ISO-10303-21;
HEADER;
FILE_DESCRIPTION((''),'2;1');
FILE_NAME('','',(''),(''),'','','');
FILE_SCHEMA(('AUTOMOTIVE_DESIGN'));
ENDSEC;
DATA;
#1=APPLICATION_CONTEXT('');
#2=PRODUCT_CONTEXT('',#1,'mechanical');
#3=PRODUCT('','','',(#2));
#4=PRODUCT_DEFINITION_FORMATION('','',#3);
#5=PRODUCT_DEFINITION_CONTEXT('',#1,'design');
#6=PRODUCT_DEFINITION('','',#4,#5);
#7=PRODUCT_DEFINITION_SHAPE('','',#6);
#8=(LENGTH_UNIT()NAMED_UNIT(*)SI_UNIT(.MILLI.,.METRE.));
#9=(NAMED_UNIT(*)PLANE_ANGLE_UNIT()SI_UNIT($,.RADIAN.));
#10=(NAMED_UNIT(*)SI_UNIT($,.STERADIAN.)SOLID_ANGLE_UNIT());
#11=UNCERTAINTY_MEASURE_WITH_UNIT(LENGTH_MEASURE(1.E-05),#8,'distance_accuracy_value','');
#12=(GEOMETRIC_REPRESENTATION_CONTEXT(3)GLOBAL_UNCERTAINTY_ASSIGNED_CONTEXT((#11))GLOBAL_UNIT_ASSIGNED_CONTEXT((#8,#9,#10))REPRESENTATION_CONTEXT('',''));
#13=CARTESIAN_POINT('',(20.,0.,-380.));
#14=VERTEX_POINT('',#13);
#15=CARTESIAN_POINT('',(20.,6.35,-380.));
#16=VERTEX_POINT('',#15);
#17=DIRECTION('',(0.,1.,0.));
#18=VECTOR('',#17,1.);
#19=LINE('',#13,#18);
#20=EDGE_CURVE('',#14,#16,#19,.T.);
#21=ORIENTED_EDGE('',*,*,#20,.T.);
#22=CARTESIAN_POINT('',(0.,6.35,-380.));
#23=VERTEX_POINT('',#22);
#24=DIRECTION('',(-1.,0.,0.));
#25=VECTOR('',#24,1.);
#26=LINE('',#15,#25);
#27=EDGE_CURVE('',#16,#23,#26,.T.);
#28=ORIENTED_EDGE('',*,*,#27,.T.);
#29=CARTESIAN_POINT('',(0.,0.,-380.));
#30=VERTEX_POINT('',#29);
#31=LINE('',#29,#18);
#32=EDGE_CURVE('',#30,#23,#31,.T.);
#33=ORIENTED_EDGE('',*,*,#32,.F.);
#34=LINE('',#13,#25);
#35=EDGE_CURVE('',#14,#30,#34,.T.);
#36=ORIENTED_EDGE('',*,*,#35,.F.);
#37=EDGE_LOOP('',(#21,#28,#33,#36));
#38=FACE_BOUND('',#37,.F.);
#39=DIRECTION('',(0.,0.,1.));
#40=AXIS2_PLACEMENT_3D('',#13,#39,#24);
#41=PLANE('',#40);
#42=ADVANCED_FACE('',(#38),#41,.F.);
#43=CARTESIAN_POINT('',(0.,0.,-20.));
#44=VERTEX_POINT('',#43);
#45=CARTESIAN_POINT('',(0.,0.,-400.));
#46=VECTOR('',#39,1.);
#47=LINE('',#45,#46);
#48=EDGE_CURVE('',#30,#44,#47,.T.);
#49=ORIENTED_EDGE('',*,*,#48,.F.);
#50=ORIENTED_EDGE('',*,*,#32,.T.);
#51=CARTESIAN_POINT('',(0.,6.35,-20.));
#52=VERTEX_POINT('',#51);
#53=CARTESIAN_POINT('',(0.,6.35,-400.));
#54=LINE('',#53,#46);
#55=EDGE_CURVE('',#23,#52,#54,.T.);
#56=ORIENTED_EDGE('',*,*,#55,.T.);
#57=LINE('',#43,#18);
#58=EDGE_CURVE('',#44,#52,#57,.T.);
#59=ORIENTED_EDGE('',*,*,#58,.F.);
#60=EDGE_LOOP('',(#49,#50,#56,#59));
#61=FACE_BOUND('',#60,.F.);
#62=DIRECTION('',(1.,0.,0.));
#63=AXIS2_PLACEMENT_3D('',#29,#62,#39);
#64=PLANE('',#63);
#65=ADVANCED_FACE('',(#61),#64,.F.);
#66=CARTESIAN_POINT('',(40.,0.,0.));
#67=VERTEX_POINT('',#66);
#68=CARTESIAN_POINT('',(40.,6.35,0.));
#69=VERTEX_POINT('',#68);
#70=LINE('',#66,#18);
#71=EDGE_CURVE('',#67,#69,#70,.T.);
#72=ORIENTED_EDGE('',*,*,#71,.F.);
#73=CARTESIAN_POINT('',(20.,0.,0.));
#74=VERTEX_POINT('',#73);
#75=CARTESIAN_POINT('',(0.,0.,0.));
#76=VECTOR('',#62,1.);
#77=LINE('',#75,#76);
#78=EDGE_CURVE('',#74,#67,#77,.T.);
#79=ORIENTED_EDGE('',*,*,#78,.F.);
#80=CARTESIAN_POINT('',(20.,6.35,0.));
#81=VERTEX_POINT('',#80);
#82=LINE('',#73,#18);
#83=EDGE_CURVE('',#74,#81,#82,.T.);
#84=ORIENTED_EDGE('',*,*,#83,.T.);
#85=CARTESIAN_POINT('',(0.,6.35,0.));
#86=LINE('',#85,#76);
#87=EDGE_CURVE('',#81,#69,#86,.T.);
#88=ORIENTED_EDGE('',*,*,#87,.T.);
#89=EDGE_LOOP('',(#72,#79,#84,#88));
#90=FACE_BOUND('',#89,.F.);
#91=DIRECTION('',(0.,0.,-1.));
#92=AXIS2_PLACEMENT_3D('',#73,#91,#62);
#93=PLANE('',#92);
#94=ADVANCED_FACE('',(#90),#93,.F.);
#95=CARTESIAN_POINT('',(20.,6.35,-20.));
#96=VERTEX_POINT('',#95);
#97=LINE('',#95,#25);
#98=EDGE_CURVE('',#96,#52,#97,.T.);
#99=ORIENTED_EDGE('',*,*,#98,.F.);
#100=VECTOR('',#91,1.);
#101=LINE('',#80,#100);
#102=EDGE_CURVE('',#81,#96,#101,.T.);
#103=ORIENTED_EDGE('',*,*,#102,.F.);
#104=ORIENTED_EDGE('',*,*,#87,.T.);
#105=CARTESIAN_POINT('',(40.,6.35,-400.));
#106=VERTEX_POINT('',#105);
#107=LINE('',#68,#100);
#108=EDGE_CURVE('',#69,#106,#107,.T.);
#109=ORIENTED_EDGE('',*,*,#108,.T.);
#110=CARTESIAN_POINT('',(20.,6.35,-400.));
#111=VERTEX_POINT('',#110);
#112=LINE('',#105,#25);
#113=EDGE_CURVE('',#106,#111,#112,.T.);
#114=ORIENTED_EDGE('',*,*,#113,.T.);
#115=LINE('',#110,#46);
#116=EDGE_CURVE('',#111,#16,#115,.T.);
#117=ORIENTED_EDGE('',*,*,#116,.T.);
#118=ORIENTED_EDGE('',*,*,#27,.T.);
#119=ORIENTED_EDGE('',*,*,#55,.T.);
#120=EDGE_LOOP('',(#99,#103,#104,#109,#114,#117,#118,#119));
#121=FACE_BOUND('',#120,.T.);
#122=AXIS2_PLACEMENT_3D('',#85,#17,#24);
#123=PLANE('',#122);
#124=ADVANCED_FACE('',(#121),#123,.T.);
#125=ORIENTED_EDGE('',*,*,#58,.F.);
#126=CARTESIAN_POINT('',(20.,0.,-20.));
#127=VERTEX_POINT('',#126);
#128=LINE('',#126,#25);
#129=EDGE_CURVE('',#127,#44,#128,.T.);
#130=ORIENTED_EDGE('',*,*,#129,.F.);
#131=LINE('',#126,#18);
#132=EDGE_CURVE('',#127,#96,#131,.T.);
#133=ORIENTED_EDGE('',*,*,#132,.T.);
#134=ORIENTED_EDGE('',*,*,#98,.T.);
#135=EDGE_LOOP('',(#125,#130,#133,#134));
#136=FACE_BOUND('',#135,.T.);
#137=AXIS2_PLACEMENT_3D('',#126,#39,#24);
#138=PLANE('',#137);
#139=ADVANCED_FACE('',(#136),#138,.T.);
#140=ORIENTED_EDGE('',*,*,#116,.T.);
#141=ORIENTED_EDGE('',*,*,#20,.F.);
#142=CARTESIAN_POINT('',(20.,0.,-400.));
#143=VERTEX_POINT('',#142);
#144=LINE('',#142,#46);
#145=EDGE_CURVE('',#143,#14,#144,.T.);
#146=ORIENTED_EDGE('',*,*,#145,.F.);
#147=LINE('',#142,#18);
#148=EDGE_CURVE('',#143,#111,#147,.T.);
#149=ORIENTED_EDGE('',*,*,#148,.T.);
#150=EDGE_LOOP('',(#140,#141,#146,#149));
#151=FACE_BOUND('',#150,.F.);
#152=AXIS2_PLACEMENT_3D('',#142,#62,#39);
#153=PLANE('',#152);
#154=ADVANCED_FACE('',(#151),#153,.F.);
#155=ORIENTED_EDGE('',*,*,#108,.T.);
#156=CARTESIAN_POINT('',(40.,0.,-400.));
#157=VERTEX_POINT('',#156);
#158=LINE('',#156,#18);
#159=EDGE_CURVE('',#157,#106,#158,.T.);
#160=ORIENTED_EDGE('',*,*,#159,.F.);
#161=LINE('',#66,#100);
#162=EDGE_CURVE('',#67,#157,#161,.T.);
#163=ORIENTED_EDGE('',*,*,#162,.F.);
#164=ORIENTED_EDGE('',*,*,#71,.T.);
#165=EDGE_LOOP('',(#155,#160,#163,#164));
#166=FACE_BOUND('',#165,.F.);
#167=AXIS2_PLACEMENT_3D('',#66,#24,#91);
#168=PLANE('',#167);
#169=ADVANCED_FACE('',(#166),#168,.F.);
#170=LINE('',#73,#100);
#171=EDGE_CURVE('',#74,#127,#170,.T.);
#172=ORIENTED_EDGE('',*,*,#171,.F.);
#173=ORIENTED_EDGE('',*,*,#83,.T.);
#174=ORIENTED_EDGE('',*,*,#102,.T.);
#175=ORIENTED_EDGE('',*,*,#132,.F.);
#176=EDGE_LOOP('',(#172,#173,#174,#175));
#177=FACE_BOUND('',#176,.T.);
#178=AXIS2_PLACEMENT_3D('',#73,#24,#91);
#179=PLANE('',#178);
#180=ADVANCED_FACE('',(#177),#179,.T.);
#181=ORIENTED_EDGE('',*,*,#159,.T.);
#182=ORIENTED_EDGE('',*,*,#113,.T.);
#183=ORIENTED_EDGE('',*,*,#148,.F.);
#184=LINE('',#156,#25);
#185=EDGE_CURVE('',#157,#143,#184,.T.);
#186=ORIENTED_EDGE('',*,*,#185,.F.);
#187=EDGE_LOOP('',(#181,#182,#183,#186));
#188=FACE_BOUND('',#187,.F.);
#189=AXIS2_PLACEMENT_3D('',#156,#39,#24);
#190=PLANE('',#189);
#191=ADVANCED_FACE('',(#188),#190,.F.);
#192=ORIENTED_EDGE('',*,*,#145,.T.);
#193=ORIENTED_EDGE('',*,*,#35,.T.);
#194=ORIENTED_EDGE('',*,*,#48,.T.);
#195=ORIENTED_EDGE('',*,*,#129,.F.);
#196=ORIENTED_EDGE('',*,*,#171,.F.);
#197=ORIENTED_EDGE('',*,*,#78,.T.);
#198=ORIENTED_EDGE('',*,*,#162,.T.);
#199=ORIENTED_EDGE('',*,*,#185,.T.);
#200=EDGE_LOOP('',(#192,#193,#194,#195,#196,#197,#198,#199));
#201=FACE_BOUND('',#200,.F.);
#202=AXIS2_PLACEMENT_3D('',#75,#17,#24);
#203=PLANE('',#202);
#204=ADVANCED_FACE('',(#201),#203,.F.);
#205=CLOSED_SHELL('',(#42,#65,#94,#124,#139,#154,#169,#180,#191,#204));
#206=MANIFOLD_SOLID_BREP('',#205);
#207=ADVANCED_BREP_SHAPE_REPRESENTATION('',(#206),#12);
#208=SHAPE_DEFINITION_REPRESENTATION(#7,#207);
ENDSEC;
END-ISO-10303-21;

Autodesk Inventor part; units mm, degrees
ref_plane "YZ Plane" through (0, 0, 0) normal (1, 0, 0) x (0, 1, 0)
ref_plane "XZ Plane" through (0, 0, 0) normal (0, 1, 0) x (-1, 0, 0)
ref_plane "XY Plane" through (0, 0, 0) normal (0, 0, 1) x (1, 0, 0)
sketch "Sketch1" plane through (0, 0, 0) normal (0, 1, 0) x (-1, 0, 0)
  line L0 (0, 0) -> (-40, 0)
  line L1 (-40, 0) -> (-40, -400)
  line L2 (-40, -400) -> (0, -400)
  line L3 (0, -400) -> (0, 0)
  line L4 (0, 0) -> (-20, 0)
  line L5 (-20, 0) -> (-20, -20)
  line L6 (-20, -20) -> (0, -20)
  line L7 (0, -20) -> (0, 0)
  line L8 (0, -400) -> (-20, -400)
  line L9 (-20, -400) -> (-20, -380)
  line L10 (-20, -380) -> (0, -380)
  line L11 (0, -380) -> (0, -400)
  point P0 (0, -380)
  point P1 (0, -20)
  dimension "d0" = 400
  dimension "d1" = 20
  dimension "d2" = 20
  dimension "d3" = 20
  dimension "d4" = 20
  dimension "d5" = 40
extrude "Extrusion1" add sketch "Sketch1" along normal blind 6.35 contours L5 L6 L3 L10 L9 L2 L1 L0
equation "\"d0\" = base_y_dim"
equation "\"d1\" = extrusion_dim"
equation "\"d2\" = extrusion_dim"
equation "\"d3\" = extrusion_dim"
equation "\"d4\" = extrusion_dim"
equation "\"d5\" = ceiling_width"
equation "\"d6\" = top_sheet_thickness"
equation "\"base_y_dim\" = 400"
equation "\"base_thickness\" = 12.7"
equation "\"extrusion_dim\" = 20"
equation "\"top_sheet_thickness\" = 6.35"
equation "\"ceiling_width\" = 40"
properties part number "Top Sheet Metal Left"
